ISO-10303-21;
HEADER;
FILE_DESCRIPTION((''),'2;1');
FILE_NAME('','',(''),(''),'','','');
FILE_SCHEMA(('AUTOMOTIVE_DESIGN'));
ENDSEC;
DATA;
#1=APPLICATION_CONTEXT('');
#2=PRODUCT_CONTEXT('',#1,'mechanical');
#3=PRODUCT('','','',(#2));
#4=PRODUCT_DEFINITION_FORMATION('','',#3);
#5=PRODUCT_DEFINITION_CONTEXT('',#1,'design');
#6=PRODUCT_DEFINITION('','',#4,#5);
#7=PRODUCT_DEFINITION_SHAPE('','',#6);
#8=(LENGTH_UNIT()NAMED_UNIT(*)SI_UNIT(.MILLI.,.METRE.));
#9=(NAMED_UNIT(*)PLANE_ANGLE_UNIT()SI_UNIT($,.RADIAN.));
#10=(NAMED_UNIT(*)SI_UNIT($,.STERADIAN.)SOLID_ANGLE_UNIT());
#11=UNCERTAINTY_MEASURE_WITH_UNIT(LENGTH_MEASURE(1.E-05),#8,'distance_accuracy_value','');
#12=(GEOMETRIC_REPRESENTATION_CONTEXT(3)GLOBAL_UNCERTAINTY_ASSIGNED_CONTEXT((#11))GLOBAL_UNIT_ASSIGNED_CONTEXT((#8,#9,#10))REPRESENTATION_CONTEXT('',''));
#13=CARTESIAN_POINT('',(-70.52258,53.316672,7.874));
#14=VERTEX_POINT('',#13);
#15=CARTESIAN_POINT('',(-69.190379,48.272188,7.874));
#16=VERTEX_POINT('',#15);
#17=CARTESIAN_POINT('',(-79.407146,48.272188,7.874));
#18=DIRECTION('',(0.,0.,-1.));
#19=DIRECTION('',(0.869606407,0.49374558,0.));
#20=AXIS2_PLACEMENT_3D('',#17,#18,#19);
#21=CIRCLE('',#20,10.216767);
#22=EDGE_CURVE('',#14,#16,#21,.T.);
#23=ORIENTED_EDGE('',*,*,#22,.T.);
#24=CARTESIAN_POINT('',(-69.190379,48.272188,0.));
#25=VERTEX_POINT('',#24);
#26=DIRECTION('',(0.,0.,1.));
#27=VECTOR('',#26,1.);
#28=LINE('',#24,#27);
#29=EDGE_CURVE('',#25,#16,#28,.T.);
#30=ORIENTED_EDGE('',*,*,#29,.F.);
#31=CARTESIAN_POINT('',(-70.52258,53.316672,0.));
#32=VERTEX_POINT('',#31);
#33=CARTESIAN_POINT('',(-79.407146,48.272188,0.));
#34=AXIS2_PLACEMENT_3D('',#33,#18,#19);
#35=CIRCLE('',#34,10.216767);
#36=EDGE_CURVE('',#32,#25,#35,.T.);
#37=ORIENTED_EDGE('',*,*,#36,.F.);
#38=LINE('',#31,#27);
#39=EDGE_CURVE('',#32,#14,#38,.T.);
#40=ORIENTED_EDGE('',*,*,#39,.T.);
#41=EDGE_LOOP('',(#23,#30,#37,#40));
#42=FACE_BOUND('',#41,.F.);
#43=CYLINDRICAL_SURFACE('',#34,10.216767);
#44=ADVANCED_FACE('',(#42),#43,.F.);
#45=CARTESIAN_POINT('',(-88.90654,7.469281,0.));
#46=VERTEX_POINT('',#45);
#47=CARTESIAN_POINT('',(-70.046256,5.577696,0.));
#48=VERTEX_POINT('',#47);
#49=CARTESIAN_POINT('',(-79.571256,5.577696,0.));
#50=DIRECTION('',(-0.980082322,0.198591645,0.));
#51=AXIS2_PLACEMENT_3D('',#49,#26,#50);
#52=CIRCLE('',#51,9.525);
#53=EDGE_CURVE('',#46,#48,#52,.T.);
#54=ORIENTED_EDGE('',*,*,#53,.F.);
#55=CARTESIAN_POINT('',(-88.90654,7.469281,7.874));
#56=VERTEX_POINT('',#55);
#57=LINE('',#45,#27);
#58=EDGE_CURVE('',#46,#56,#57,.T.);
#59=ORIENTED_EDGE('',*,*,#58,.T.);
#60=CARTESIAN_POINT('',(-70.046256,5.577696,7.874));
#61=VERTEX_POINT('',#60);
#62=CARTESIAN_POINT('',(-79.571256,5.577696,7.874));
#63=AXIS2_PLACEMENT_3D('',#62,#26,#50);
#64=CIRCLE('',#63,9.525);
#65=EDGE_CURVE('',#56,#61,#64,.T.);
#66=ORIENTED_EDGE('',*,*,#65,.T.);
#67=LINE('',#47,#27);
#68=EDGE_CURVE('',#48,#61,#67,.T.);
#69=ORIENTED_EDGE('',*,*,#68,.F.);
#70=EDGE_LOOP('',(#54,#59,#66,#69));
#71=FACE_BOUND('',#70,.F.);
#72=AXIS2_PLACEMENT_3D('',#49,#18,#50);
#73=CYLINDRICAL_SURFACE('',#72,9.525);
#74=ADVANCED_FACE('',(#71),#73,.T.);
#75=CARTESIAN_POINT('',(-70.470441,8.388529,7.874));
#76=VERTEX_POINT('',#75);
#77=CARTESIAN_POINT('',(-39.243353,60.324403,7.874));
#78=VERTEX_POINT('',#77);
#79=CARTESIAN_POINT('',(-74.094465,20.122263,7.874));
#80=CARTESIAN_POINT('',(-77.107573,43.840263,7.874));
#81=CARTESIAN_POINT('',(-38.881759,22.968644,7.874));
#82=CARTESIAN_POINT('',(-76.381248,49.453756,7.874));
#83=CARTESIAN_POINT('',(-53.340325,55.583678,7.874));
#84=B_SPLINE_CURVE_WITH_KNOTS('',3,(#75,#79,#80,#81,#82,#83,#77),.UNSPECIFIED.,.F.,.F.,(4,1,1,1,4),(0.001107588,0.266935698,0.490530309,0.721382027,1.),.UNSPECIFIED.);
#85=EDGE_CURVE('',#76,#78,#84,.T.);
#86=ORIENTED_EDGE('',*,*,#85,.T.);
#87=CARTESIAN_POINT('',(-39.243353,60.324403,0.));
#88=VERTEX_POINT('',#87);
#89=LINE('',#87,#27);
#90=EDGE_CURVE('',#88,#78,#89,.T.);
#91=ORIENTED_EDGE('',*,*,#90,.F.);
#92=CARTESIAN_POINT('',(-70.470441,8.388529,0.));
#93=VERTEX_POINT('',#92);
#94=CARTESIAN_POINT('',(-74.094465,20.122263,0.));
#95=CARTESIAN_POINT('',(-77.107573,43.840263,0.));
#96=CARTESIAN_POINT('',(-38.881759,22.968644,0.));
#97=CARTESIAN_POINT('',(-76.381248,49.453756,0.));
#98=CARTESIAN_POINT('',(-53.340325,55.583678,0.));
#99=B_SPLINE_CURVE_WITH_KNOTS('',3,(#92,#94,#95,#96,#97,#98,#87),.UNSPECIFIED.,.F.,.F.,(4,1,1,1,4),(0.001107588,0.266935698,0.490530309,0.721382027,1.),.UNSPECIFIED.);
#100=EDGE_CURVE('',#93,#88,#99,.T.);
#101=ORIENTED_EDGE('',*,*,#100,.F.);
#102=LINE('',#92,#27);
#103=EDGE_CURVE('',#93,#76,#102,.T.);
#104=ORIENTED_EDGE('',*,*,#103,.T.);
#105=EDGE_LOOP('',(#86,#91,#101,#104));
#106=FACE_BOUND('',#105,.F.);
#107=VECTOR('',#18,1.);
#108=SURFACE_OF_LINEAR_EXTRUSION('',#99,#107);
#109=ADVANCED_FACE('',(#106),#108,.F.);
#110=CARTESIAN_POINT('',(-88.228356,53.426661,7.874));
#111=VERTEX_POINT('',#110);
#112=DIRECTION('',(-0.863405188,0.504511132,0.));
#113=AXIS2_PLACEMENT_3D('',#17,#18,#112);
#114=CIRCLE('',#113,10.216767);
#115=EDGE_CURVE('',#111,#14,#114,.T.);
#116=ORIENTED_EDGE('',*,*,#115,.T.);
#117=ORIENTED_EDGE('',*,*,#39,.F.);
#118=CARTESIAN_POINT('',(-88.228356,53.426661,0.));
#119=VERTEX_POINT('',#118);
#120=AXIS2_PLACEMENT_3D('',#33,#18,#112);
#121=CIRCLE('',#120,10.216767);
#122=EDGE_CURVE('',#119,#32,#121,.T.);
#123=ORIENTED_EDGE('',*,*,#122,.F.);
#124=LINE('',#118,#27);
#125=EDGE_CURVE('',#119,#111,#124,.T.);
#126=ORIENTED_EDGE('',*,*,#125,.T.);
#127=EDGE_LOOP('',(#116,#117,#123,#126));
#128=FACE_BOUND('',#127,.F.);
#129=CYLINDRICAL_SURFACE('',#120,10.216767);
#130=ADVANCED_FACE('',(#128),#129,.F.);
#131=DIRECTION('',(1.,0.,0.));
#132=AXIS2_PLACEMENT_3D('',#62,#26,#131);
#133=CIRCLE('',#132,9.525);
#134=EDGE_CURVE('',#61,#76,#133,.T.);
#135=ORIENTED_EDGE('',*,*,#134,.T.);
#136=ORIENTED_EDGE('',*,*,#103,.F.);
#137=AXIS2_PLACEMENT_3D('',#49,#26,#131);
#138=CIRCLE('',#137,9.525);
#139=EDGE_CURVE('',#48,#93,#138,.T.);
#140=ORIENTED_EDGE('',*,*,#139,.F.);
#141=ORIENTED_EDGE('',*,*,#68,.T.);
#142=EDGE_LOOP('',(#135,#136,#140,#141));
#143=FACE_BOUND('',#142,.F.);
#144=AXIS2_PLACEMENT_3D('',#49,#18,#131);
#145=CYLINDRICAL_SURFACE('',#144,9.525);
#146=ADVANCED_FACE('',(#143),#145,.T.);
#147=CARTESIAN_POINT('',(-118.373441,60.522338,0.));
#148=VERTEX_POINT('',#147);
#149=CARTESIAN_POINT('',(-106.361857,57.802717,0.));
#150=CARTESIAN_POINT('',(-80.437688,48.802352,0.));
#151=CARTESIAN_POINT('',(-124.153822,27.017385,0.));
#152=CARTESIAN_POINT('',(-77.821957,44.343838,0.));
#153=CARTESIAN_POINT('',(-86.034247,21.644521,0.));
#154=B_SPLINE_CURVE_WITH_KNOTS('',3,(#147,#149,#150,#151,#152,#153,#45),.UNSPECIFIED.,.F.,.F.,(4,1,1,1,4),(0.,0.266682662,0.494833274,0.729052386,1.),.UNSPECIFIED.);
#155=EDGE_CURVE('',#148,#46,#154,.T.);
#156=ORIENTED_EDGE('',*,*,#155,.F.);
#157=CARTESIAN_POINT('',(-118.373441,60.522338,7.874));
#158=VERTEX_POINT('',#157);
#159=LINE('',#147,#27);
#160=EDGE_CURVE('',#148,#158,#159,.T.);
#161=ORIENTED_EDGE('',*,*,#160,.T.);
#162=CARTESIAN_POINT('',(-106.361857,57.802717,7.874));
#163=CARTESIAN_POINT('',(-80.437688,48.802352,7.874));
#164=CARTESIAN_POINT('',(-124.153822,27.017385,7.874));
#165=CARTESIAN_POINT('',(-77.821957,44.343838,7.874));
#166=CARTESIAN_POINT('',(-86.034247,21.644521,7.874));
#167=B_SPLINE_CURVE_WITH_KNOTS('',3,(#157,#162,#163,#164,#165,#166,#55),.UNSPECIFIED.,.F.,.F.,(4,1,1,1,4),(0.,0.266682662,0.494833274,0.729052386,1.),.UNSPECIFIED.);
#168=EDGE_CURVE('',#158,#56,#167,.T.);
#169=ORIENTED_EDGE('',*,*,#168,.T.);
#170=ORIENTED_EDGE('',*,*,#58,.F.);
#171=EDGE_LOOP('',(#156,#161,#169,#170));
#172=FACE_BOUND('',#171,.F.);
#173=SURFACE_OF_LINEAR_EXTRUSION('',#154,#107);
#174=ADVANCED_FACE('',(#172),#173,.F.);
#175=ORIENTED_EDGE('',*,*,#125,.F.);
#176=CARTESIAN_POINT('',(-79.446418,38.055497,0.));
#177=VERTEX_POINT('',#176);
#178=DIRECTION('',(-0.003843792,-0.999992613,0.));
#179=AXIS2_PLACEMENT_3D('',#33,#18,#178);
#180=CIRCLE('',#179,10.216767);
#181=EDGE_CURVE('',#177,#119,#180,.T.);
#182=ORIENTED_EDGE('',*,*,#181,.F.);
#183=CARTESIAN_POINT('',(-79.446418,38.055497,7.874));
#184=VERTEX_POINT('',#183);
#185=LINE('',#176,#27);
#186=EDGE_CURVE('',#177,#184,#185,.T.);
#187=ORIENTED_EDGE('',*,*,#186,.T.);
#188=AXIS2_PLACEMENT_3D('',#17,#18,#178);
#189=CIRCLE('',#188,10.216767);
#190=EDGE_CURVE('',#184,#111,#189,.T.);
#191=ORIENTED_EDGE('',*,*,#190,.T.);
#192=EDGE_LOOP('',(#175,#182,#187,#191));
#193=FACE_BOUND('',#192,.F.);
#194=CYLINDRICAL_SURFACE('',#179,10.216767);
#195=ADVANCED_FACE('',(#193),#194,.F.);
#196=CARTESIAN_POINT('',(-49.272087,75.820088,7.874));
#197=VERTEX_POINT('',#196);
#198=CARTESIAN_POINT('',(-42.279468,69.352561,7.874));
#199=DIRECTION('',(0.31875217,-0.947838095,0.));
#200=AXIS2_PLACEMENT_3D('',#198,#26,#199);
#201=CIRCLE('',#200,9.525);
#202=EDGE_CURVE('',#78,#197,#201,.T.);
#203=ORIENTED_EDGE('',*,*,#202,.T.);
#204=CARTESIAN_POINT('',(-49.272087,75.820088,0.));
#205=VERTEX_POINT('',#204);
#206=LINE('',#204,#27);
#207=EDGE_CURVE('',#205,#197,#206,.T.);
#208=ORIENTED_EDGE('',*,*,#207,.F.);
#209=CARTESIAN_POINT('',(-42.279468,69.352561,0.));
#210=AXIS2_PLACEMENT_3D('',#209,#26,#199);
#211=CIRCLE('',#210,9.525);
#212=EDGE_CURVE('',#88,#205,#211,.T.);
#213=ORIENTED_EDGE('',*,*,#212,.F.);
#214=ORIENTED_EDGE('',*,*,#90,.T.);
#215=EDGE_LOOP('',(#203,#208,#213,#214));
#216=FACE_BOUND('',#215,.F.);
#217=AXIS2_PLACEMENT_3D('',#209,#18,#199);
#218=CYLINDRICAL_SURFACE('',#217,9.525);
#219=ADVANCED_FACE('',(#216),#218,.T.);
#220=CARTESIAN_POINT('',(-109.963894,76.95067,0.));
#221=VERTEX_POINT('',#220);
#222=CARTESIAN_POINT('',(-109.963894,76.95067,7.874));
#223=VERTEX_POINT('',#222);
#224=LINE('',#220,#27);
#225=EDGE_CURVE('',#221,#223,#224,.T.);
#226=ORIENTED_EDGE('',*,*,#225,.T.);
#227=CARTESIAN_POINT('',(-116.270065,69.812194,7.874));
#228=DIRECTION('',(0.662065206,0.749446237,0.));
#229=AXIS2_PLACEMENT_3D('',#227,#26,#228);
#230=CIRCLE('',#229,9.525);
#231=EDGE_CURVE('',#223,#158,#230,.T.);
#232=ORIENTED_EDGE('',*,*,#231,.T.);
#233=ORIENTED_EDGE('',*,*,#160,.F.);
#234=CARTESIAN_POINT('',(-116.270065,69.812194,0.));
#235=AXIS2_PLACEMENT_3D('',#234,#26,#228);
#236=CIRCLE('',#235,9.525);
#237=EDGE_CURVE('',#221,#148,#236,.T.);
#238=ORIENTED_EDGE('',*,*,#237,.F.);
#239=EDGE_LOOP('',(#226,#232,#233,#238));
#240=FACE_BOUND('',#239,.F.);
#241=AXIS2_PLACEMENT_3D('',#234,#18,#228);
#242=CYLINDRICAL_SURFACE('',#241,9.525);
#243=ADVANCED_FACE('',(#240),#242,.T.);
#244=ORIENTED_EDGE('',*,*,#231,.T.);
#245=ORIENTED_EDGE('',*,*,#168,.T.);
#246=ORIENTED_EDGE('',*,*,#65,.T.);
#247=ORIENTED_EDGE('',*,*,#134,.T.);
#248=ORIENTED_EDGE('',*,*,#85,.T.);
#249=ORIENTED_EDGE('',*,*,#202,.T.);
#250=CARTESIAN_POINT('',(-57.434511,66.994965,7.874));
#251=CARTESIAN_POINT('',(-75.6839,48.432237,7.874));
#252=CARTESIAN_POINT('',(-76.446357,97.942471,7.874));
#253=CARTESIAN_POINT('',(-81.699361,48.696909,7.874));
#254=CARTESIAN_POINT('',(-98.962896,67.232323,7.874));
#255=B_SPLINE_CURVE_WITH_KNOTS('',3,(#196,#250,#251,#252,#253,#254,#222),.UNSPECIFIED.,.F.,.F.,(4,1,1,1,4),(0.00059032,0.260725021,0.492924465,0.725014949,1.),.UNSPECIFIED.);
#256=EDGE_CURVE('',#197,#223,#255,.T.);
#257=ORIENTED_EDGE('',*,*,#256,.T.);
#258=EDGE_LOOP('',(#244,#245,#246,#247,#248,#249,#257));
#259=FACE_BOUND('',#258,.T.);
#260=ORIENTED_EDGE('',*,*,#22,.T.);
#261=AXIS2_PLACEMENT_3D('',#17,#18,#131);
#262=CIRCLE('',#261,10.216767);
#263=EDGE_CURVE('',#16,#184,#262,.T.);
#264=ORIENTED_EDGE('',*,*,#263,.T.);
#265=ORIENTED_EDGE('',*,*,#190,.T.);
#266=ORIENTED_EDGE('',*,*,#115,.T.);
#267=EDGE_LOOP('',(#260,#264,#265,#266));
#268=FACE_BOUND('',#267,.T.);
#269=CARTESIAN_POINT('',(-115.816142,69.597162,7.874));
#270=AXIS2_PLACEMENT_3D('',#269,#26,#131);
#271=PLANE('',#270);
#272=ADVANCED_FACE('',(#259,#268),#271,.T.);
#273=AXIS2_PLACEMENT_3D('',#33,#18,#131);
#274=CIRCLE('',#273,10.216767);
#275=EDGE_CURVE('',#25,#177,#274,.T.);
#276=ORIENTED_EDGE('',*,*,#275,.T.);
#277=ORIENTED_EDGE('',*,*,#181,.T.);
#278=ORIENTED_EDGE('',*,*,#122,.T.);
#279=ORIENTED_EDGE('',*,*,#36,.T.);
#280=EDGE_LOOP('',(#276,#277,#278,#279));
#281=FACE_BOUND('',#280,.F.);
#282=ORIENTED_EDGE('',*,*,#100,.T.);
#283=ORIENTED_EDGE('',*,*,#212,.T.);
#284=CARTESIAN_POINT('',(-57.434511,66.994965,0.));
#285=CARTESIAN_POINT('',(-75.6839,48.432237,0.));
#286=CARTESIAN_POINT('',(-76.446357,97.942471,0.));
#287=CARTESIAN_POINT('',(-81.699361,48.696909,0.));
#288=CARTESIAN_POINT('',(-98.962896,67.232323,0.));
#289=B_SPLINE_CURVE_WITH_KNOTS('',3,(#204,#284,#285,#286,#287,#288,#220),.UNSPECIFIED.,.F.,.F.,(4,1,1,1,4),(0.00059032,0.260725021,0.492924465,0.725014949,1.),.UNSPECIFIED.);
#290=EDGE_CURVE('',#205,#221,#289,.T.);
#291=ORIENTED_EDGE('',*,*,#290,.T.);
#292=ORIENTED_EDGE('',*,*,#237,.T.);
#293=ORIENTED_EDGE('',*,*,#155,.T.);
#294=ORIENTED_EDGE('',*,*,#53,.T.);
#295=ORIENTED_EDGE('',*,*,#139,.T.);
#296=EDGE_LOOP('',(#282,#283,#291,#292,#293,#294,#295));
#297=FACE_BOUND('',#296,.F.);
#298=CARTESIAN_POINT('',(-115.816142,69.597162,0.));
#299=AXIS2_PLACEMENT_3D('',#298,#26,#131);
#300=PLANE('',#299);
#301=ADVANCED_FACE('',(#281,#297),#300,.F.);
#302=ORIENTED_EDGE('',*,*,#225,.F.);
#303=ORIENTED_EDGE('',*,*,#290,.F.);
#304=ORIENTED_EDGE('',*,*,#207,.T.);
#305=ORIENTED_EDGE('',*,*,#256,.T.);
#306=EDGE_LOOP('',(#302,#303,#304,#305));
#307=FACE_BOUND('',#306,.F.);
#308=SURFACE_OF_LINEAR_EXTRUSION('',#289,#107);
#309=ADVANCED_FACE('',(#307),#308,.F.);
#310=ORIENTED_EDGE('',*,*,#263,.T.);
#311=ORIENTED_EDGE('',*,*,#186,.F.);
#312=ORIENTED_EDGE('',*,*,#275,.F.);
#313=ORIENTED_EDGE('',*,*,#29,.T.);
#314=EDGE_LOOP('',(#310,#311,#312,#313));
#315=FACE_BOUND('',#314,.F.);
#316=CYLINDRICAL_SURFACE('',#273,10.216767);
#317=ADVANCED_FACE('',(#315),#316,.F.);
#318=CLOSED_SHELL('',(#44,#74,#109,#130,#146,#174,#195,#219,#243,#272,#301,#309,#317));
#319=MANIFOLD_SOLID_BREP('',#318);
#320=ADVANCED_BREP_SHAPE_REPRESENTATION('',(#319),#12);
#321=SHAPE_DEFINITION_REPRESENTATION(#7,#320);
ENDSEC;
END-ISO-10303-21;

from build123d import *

# Parameters (mm, degrees)
F1_DEPTH = 7.874


with BuildPart() as f1:
    # F0 (on Top) → F1 (new body)
    with BuildSketch(Plane.XY):
        with BuildLine():
            ThreePointArc((-108.0461306941, 65.0067256422), (-107.0760833713, 67.3229523468), (-106.7450651059, 69.8121941719))
            ThreePointArc((-106.7450651059, 69.8121941719), (-107.5869808429, 73.7275067623), (-109.9638940152, 76.9506695816))
            ThreePointArc((-109.9638940152, 76.9506695816), (-124.7487674104, 74.152382213), (-118.3734414796, 60.5223377236))
            ThreePointArc((-118.3734414796, 60.5223377236), (-112.4762884355, 61.075324963), (-108.0461306941, 65.0067256422))
        make_face()
        with BuildLine():
            ThreePointArc((-109.9638940152, 76.9506695816), (-107.5869808429, 73.7275067623), (-106.7450651059, 69.8121941719))
            ThreePointArc((-106.7450651059, 69.8121941719), (-107.0760833713, 67.3229523468), (-108.0461306941, 65.0067256422))
            Line((-108.0461306941, 65.0067256421), (-88.2283560079, 53.4266609412))
            ThreePointArc((-88.2283560079, 53.4266609412), (-79.3436805797, 58.4887581192), (-70.5225803956, 53.3166718045))
            Line((-70.5225803956, 53.3166718045), (-50.562468873, 64.6496343473))
            ThreePointArc((-50.562468873, 64.6496343473), (-51.7415447862, 70.4455957779), (-49.2720868103, 75.8200879604))
            add(Edge.make_bspline(
                [(-49.2720868103, 75.8200879604), (-57.4345110755, 66.9949647245), (-75.683900109, 48.4322365837), (-76.4463570163, 97.9424705747), (-81.699360517, 48.6969085029), (-98.9628955327, 67.2323229295), (-109.9638940152, 76.9506695816)],
                knots=[0.0005903202, 0.0005903202, 0.0005903202, 0.0005903202, 0.2607250214, 0.4929244653, 0.7250149488, 1, 1, 1, 1], degree=3))
        make_face()
        with BuildLine():
            Line((-88.2283560079, 53.4266609412), (-108.0461306941, 65.0067256421))
            ThreePointArc((-108.0461306941, 65.0067256422), (-112.4762884355, 61.075324963), (-118.3734414796, 60.5223377236))
            add(Edge.make_bspline(
                [(-118.3734414796, 60.5223377236), (-106.3618571358, 57.8027173656), (-80.4376875536, 48.8023518947), (-124.153822356, 27.017384646), (-77.8219568118, 44.3438376358), (-86.0342468267, 21.64452119), (-88.9065404877, 7.4692811075)],
                knots=[0, 0, 0, 0, 0.2666826621, 0.4948332735, 0.7290523859, 1, 1, 1, 1], degree=3))
            ThreePointArc((-88.9065404877, 7.4692811075), (-85.5865129072, 12.9629725151), (-79.5346442485, 15.1026253269))
            Line((-79.5346442485, 15.1026253269), (-79.4464175338, 38.0554967821))
            ThreePointArc((-79.4464175338, 38.0554967821), (-88.2781780033, 43.2039414675), (-88.2283560079, 53.4266609412))
        make_face()
        with BuildLine():
            ThreePointArc((-32.7544678493, 69.3525609937), (-38.8066498727, 78.2218992047), (-49.2720868103, 75.8200879604))
            ThreePointArc((-49.2720868103, 75.8200879604), (-51.7415447862, 70.4455957779), (-50.562468873, 64.6496343473))
            ThreePointArc((-50.562468873, 64.6496343473), (-45.6793738793, 60.4550184123), (-39.243353431, 60.3244031395))
            ThreePointArc((-39.243353431, 60.3244031395), (-34.5449796686, 63.7934857484), (-32.7544678493, 69.3525609937))
        make_face()
        with BuildLine():
            ThreePointArc((-79.5346442485, 15.1026253269), (-85.5865129072, 12.9629725151), (-88.9065404877, 7.4692811075))
            ThreePointArc((-88.9065404877, 7.4692811075), (-80.5217940437, -3.8997566623), (-70.046256367, 5.5776956919))
            ThreePointArc((-70.046256367, 5.5776956919), (-70.1528995075, 6.9990257266), (-70.4704409481, 8.3885289689))
            ThreePointArc((-70.4704409481, 8.3885289689), (-73.9017839068, 13.2316297799), (-79.5346442485, 15.1026253269))
        make_face()
        with BuildLine():
            ThreePointArc((-39.243353431, 60.3244031395), (-45.6793738793, 60.4550184123), (-50.562468873, 64.6496343473))
            Line((-50.562468873, 64.6496343473), (-70.5225803956, 53.3166718045))
            ThreePointArc((-70.5225803956, 53.3166718045), (-69.5290426456, 50.8809031632), (-69.1903794385, 48.2721882753))
            ThreePointArc((-69.1903794385, 48.2721882753), (-72.1966990098, 41.0339719467), (-79.4464175338, 38.0554967821))
            Line((-79.4464175338, 38.0554967821), (-79.5346442485, 15.1026253269))
            ThreePointArc((-79.5346442485, 15.1026253269), (-73.9017839068, 13.2316297799), (-70.4704409481, 8.3885289689))
            add(Edge.make_bspline(
                [(-70.4704409481, 8.3885289689), (-74.0944646494, 20.1222628235), (-77.1075732731, 43.8402629289), (-38.8817586066, 22.9686442907), (-76.3812478762, 49.4537559031), (-53.340324999, 55.5836775871), (-39.243353431, 60.3244031395)],
                knots=[0.0011075884, 0.0011075884, 0.0011075884, 0.0011075884, 0.2669356975, 0.4905303086, 0.7213820271, 1, 1, 1, 1], degree=3))
        make_face()
    extrude(amount=F1_DEPTH)


solid = f1.part
